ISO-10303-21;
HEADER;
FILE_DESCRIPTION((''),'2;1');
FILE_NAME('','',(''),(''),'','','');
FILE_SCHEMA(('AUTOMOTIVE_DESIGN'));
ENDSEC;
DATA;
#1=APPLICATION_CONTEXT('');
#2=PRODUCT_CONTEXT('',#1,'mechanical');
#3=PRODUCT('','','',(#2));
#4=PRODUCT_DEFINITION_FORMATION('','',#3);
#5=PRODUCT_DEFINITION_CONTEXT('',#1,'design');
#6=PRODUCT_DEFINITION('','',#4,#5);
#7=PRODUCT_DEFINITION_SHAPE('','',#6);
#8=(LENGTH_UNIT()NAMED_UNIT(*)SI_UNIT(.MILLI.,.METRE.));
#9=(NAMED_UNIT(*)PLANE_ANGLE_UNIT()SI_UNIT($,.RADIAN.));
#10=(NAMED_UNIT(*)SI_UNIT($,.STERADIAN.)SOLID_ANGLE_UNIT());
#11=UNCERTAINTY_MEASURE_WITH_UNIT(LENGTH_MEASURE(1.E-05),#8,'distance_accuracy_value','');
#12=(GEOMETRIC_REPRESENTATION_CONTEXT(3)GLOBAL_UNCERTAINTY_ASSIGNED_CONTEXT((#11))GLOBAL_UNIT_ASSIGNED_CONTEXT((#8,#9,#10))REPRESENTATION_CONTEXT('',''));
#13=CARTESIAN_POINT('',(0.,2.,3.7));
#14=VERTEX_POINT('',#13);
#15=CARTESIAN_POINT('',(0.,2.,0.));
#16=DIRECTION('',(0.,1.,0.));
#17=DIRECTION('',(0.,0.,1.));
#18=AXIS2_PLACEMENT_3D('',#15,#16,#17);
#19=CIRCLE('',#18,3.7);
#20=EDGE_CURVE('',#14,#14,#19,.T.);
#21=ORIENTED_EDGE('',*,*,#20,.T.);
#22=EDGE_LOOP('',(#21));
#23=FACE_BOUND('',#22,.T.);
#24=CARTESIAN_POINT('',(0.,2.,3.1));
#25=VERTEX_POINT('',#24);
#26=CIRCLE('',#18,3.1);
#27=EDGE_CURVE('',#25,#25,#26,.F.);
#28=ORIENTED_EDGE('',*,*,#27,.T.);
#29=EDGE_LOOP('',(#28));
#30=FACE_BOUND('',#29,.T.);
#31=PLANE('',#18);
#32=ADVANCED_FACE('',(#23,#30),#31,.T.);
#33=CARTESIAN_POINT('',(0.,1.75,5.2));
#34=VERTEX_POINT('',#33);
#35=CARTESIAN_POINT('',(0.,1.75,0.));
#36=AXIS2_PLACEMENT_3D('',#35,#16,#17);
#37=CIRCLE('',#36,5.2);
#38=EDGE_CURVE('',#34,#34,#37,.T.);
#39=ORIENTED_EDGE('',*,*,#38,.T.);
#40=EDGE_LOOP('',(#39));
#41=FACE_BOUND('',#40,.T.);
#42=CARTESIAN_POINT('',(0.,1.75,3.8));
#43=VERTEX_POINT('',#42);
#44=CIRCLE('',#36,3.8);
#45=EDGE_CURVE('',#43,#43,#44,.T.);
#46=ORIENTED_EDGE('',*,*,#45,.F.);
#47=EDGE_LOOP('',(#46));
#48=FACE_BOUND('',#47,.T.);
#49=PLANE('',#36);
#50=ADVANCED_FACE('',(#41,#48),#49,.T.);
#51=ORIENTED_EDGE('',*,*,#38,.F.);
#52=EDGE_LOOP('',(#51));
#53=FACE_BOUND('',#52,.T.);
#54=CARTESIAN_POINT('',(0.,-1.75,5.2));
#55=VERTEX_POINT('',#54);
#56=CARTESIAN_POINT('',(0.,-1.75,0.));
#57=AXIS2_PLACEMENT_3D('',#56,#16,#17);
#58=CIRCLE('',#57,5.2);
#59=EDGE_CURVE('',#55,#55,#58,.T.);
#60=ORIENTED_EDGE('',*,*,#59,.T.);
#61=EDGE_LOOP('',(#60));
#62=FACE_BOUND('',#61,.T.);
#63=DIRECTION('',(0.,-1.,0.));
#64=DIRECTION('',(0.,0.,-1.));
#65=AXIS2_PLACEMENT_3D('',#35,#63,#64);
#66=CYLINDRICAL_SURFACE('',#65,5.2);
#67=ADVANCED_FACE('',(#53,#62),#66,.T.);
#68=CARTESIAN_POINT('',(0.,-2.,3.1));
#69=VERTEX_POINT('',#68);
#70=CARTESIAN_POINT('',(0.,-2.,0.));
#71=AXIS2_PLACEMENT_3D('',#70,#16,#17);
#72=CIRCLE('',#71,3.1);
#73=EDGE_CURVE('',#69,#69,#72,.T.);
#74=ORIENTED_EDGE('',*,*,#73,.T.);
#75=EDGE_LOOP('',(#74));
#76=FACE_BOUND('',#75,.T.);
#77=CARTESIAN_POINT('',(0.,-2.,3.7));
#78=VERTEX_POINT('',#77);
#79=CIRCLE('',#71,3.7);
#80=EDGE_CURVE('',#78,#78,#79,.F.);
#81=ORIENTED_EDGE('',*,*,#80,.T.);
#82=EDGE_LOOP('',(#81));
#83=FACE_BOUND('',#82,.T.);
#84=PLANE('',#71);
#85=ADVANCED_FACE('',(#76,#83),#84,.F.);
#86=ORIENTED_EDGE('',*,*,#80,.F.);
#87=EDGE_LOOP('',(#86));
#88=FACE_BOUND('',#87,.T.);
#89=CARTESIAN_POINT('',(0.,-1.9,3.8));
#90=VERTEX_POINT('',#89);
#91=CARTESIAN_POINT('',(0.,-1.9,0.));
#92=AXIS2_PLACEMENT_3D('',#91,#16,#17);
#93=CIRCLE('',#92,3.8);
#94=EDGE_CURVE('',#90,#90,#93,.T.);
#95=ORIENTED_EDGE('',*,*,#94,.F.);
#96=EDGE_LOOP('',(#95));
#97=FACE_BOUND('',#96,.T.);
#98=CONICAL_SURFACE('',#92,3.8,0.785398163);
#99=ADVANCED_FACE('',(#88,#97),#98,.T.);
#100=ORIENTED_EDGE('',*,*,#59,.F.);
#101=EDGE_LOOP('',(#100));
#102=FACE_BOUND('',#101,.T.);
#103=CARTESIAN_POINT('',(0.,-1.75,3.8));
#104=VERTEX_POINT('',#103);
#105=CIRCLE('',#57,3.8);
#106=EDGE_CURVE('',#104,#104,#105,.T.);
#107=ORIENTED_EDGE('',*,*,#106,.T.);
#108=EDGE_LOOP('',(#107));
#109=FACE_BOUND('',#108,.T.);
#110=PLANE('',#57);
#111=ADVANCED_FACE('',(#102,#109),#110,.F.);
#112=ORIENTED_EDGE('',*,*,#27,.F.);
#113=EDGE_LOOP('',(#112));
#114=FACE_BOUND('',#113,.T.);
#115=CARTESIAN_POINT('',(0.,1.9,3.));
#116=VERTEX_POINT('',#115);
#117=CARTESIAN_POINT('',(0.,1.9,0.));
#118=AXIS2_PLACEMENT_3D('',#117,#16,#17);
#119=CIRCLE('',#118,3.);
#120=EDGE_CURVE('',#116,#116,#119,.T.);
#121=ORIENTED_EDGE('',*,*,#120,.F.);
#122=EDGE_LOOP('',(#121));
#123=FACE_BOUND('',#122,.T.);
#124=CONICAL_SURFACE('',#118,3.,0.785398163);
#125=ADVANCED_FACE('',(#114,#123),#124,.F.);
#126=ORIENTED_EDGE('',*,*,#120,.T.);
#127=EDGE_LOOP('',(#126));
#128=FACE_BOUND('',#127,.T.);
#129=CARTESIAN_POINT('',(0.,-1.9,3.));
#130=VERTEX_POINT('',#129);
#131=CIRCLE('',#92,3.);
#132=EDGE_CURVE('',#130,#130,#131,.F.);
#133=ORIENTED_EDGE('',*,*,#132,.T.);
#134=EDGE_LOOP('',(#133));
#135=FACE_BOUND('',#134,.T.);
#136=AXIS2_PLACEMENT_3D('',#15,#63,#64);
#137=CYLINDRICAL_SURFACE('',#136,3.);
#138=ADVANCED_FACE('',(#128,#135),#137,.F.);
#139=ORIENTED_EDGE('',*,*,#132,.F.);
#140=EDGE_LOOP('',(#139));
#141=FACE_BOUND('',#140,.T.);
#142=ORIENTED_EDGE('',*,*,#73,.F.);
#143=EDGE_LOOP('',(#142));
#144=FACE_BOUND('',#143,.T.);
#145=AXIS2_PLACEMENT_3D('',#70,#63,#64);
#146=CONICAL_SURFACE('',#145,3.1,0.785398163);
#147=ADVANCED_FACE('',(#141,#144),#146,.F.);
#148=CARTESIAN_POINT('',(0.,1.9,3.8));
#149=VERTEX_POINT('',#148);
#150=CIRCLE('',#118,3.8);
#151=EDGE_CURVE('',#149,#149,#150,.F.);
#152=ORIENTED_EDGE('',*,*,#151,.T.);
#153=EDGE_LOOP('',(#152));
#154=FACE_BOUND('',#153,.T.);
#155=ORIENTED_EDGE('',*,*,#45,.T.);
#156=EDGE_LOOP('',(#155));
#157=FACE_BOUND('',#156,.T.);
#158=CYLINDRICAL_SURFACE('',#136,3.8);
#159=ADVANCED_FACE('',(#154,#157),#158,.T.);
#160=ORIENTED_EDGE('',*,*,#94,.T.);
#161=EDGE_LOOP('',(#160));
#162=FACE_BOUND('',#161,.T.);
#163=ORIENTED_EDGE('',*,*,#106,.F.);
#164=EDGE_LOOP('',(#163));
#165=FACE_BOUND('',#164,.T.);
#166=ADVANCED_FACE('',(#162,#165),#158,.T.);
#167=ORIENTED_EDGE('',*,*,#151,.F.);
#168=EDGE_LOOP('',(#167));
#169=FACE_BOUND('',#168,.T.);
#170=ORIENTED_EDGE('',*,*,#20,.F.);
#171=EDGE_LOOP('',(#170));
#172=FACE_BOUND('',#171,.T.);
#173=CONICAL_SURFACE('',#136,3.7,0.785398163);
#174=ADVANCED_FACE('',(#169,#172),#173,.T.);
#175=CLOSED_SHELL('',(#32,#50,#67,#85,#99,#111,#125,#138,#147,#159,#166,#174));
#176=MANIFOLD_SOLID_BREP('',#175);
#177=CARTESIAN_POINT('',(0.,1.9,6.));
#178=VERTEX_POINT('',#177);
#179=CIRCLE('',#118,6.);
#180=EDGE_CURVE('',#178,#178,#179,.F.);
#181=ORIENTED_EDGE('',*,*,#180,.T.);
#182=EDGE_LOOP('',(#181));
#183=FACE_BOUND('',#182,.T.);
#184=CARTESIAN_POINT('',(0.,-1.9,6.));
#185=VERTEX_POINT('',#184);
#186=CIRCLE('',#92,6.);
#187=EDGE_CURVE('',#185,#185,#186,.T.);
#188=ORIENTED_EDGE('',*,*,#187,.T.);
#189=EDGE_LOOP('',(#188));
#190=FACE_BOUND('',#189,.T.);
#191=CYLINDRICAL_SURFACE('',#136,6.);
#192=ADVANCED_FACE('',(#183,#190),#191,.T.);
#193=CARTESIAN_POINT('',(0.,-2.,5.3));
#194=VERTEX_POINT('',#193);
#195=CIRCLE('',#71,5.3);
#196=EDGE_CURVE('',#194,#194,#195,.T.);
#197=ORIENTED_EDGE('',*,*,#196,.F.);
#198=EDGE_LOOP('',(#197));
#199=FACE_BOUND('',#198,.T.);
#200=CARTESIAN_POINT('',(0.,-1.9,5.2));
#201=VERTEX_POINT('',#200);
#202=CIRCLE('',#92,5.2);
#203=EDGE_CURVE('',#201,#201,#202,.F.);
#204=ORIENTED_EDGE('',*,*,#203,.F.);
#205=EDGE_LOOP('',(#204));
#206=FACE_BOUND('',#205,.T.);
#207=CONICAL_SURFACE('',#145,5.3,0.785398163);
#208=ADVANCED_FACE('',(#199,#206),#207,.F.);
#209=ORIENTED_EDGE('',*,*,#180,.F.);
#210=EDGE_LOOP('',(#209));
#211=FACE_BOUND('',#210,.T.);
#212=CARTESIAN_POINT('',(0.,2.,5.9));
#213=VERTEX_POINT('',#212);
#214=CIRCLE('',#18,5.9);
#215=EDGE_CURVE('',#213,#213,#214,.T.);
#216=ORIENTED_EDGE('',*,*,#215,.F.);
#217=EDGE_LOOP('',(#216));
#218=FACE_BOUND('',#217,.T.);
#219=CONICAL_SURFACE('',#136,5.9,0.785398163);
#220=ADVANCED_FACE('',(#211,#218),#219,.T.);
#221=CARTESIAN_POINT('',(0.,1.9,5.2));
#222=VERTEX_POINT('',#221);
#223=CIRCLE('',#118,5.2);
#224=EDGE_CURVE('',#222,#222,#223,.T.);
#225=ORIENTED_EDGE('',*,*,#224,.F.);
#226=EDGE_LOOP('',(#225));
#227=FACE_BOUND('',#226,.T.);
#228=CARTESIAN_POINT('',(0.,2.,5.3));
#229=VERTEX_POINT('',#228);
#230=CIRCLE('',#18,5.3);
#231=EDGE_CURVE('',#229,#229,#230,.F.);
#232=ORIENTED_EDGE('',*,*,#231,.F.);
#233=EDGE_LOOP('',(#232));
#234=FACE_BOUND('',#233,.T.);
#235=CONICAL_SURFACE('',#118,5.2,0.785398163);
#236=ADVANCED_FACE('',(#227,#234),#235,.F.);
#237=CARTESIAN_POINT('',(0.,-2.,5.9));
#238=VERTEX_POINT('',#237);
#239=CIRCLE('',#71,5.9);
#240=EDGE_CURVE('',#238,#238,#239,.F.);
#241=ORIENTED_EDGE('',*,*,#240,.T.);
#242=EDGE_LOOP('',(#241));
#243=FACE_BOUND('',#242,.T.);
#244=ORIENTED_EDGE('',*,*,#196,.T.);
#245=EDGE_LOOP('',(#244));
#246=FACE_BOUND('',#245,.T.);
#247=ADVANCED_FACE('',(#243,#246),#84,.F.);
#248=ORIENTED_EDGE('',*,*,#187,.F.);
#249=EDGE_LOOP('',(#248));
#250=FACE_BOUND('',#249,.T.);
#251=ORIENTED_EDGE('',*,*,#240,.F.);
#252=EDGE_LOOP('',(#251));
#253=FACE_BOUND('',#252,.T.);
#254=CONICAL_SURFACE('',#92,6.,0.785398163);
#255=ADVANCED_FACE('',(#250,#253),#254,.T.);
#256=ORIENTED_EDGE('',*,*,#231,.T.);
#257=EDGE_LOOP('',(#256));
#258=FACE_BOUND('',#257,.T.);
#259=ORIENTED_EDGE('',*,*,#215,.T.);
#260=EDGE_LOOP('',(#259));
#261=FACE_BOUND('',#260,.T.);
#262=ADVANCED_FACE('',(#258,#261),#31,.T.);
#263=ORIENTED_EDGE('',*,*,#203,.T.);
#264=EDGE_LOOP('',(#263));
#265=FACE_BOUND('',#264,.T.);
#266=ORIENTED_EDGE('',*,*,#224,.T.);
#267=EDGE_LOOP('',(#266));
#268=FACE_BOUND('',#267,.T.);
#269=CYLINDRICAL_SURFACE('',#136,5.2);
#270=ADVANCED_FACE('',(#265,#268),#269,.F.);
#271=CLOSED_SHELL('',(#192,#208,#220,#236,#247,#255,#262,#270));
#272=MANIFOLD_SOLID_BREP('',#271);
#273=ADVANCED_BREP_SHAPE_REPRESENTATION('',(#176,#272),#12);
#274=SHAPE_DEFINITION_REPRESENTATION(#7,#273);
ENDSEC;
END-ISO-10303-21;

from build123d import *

# Parameters (mm, degrees)
SKETCH1_R             = 6
SKETCH1_R_2           = 5.2
BOSS_EXTRUDE1_DEPTH   = 2
SKETCH1_R_3           = 3.8
SKETCH1_R_4           = 3
BOSS_EXTRUDE1_2_DEPTH = 2
SKETCH1_3_R           = 5.2
SKETCH1_3_R_2         = 3.8
BOSS_EXTRUDE2_DEPTH   = 1.75
CHAMFER2_SIZE         = 0.1
CHAMFER3_SIZE         = 0.1


with BuildPart() as part:
    # Sketch1 → Boss-Extrude1 (new, symmetric)
    with BuildSketch(Plane(origin=(0, 0, 0), x_dir=(1, 0, 0), z_dir=(0, 1, 0))):
        Circle(SKETCH1_R)
        Circle(SKETCH1_R_2, mode=Mode.SUBTRACT)
    extrude(amount=BOSS_EXTRUDE1_DEPTH, both=True)

    # Chamfer3
    chamfer3_edges = [part.edges().sort_by_distance(p)[0] for p in [
        (-5.2, 2, 0),
        (-6, 2, 0),
        (-5.2, -2, 0),
        (-6, -2, 0),
    ]]
    chamfer(chamfer3_edges, length=CHAMFER3_SIZE)


with BuildPart() as body_2:
    # Sketch1 → Boss-Extrude1 2 (new, symmetric)
    with BuildSketch(Plane(origin=(0, 0, 0), x_dir=(1, 0, 0), z_dir=(0, 1, 0))):
        Circle(SKETCH1_R_3)
        Circle(SKETCH1_R_4, mode=Mode.SUBTRACT)
    extrude(amount=BOSS_EXTRUDE1_2_DEPTH, both=True)

    # Sketch1<3> → Boss-Extrude2 (add, symmetric)
    with BuildSketch(Plane(origin=(0, 0, 0), x_dir=(1, 0, 0), z_dir=(0, 1, 0))):
        Circle(SKETCH1_3_R)
        Circle(SKETCH1_3_R_2, mode=Mode.SUBTRACT)
    extrude(amount=BOSS_EXTRUDE2_DEPTH, both=True)

    # Chamfer2
    chamfer2_edges = [body_2.edges().sort_by_distance(p)[0] for p in [
        (-3.8, -2, 0),
        (-3, -2, 0),
        (-3.8, 2, 0),
        (-3, 2, 0),
    ]]
    chamfer(chamfer2_edges, length=CHAMFER2_SIZE)


solid = Compound([part.part, body_2.part])
